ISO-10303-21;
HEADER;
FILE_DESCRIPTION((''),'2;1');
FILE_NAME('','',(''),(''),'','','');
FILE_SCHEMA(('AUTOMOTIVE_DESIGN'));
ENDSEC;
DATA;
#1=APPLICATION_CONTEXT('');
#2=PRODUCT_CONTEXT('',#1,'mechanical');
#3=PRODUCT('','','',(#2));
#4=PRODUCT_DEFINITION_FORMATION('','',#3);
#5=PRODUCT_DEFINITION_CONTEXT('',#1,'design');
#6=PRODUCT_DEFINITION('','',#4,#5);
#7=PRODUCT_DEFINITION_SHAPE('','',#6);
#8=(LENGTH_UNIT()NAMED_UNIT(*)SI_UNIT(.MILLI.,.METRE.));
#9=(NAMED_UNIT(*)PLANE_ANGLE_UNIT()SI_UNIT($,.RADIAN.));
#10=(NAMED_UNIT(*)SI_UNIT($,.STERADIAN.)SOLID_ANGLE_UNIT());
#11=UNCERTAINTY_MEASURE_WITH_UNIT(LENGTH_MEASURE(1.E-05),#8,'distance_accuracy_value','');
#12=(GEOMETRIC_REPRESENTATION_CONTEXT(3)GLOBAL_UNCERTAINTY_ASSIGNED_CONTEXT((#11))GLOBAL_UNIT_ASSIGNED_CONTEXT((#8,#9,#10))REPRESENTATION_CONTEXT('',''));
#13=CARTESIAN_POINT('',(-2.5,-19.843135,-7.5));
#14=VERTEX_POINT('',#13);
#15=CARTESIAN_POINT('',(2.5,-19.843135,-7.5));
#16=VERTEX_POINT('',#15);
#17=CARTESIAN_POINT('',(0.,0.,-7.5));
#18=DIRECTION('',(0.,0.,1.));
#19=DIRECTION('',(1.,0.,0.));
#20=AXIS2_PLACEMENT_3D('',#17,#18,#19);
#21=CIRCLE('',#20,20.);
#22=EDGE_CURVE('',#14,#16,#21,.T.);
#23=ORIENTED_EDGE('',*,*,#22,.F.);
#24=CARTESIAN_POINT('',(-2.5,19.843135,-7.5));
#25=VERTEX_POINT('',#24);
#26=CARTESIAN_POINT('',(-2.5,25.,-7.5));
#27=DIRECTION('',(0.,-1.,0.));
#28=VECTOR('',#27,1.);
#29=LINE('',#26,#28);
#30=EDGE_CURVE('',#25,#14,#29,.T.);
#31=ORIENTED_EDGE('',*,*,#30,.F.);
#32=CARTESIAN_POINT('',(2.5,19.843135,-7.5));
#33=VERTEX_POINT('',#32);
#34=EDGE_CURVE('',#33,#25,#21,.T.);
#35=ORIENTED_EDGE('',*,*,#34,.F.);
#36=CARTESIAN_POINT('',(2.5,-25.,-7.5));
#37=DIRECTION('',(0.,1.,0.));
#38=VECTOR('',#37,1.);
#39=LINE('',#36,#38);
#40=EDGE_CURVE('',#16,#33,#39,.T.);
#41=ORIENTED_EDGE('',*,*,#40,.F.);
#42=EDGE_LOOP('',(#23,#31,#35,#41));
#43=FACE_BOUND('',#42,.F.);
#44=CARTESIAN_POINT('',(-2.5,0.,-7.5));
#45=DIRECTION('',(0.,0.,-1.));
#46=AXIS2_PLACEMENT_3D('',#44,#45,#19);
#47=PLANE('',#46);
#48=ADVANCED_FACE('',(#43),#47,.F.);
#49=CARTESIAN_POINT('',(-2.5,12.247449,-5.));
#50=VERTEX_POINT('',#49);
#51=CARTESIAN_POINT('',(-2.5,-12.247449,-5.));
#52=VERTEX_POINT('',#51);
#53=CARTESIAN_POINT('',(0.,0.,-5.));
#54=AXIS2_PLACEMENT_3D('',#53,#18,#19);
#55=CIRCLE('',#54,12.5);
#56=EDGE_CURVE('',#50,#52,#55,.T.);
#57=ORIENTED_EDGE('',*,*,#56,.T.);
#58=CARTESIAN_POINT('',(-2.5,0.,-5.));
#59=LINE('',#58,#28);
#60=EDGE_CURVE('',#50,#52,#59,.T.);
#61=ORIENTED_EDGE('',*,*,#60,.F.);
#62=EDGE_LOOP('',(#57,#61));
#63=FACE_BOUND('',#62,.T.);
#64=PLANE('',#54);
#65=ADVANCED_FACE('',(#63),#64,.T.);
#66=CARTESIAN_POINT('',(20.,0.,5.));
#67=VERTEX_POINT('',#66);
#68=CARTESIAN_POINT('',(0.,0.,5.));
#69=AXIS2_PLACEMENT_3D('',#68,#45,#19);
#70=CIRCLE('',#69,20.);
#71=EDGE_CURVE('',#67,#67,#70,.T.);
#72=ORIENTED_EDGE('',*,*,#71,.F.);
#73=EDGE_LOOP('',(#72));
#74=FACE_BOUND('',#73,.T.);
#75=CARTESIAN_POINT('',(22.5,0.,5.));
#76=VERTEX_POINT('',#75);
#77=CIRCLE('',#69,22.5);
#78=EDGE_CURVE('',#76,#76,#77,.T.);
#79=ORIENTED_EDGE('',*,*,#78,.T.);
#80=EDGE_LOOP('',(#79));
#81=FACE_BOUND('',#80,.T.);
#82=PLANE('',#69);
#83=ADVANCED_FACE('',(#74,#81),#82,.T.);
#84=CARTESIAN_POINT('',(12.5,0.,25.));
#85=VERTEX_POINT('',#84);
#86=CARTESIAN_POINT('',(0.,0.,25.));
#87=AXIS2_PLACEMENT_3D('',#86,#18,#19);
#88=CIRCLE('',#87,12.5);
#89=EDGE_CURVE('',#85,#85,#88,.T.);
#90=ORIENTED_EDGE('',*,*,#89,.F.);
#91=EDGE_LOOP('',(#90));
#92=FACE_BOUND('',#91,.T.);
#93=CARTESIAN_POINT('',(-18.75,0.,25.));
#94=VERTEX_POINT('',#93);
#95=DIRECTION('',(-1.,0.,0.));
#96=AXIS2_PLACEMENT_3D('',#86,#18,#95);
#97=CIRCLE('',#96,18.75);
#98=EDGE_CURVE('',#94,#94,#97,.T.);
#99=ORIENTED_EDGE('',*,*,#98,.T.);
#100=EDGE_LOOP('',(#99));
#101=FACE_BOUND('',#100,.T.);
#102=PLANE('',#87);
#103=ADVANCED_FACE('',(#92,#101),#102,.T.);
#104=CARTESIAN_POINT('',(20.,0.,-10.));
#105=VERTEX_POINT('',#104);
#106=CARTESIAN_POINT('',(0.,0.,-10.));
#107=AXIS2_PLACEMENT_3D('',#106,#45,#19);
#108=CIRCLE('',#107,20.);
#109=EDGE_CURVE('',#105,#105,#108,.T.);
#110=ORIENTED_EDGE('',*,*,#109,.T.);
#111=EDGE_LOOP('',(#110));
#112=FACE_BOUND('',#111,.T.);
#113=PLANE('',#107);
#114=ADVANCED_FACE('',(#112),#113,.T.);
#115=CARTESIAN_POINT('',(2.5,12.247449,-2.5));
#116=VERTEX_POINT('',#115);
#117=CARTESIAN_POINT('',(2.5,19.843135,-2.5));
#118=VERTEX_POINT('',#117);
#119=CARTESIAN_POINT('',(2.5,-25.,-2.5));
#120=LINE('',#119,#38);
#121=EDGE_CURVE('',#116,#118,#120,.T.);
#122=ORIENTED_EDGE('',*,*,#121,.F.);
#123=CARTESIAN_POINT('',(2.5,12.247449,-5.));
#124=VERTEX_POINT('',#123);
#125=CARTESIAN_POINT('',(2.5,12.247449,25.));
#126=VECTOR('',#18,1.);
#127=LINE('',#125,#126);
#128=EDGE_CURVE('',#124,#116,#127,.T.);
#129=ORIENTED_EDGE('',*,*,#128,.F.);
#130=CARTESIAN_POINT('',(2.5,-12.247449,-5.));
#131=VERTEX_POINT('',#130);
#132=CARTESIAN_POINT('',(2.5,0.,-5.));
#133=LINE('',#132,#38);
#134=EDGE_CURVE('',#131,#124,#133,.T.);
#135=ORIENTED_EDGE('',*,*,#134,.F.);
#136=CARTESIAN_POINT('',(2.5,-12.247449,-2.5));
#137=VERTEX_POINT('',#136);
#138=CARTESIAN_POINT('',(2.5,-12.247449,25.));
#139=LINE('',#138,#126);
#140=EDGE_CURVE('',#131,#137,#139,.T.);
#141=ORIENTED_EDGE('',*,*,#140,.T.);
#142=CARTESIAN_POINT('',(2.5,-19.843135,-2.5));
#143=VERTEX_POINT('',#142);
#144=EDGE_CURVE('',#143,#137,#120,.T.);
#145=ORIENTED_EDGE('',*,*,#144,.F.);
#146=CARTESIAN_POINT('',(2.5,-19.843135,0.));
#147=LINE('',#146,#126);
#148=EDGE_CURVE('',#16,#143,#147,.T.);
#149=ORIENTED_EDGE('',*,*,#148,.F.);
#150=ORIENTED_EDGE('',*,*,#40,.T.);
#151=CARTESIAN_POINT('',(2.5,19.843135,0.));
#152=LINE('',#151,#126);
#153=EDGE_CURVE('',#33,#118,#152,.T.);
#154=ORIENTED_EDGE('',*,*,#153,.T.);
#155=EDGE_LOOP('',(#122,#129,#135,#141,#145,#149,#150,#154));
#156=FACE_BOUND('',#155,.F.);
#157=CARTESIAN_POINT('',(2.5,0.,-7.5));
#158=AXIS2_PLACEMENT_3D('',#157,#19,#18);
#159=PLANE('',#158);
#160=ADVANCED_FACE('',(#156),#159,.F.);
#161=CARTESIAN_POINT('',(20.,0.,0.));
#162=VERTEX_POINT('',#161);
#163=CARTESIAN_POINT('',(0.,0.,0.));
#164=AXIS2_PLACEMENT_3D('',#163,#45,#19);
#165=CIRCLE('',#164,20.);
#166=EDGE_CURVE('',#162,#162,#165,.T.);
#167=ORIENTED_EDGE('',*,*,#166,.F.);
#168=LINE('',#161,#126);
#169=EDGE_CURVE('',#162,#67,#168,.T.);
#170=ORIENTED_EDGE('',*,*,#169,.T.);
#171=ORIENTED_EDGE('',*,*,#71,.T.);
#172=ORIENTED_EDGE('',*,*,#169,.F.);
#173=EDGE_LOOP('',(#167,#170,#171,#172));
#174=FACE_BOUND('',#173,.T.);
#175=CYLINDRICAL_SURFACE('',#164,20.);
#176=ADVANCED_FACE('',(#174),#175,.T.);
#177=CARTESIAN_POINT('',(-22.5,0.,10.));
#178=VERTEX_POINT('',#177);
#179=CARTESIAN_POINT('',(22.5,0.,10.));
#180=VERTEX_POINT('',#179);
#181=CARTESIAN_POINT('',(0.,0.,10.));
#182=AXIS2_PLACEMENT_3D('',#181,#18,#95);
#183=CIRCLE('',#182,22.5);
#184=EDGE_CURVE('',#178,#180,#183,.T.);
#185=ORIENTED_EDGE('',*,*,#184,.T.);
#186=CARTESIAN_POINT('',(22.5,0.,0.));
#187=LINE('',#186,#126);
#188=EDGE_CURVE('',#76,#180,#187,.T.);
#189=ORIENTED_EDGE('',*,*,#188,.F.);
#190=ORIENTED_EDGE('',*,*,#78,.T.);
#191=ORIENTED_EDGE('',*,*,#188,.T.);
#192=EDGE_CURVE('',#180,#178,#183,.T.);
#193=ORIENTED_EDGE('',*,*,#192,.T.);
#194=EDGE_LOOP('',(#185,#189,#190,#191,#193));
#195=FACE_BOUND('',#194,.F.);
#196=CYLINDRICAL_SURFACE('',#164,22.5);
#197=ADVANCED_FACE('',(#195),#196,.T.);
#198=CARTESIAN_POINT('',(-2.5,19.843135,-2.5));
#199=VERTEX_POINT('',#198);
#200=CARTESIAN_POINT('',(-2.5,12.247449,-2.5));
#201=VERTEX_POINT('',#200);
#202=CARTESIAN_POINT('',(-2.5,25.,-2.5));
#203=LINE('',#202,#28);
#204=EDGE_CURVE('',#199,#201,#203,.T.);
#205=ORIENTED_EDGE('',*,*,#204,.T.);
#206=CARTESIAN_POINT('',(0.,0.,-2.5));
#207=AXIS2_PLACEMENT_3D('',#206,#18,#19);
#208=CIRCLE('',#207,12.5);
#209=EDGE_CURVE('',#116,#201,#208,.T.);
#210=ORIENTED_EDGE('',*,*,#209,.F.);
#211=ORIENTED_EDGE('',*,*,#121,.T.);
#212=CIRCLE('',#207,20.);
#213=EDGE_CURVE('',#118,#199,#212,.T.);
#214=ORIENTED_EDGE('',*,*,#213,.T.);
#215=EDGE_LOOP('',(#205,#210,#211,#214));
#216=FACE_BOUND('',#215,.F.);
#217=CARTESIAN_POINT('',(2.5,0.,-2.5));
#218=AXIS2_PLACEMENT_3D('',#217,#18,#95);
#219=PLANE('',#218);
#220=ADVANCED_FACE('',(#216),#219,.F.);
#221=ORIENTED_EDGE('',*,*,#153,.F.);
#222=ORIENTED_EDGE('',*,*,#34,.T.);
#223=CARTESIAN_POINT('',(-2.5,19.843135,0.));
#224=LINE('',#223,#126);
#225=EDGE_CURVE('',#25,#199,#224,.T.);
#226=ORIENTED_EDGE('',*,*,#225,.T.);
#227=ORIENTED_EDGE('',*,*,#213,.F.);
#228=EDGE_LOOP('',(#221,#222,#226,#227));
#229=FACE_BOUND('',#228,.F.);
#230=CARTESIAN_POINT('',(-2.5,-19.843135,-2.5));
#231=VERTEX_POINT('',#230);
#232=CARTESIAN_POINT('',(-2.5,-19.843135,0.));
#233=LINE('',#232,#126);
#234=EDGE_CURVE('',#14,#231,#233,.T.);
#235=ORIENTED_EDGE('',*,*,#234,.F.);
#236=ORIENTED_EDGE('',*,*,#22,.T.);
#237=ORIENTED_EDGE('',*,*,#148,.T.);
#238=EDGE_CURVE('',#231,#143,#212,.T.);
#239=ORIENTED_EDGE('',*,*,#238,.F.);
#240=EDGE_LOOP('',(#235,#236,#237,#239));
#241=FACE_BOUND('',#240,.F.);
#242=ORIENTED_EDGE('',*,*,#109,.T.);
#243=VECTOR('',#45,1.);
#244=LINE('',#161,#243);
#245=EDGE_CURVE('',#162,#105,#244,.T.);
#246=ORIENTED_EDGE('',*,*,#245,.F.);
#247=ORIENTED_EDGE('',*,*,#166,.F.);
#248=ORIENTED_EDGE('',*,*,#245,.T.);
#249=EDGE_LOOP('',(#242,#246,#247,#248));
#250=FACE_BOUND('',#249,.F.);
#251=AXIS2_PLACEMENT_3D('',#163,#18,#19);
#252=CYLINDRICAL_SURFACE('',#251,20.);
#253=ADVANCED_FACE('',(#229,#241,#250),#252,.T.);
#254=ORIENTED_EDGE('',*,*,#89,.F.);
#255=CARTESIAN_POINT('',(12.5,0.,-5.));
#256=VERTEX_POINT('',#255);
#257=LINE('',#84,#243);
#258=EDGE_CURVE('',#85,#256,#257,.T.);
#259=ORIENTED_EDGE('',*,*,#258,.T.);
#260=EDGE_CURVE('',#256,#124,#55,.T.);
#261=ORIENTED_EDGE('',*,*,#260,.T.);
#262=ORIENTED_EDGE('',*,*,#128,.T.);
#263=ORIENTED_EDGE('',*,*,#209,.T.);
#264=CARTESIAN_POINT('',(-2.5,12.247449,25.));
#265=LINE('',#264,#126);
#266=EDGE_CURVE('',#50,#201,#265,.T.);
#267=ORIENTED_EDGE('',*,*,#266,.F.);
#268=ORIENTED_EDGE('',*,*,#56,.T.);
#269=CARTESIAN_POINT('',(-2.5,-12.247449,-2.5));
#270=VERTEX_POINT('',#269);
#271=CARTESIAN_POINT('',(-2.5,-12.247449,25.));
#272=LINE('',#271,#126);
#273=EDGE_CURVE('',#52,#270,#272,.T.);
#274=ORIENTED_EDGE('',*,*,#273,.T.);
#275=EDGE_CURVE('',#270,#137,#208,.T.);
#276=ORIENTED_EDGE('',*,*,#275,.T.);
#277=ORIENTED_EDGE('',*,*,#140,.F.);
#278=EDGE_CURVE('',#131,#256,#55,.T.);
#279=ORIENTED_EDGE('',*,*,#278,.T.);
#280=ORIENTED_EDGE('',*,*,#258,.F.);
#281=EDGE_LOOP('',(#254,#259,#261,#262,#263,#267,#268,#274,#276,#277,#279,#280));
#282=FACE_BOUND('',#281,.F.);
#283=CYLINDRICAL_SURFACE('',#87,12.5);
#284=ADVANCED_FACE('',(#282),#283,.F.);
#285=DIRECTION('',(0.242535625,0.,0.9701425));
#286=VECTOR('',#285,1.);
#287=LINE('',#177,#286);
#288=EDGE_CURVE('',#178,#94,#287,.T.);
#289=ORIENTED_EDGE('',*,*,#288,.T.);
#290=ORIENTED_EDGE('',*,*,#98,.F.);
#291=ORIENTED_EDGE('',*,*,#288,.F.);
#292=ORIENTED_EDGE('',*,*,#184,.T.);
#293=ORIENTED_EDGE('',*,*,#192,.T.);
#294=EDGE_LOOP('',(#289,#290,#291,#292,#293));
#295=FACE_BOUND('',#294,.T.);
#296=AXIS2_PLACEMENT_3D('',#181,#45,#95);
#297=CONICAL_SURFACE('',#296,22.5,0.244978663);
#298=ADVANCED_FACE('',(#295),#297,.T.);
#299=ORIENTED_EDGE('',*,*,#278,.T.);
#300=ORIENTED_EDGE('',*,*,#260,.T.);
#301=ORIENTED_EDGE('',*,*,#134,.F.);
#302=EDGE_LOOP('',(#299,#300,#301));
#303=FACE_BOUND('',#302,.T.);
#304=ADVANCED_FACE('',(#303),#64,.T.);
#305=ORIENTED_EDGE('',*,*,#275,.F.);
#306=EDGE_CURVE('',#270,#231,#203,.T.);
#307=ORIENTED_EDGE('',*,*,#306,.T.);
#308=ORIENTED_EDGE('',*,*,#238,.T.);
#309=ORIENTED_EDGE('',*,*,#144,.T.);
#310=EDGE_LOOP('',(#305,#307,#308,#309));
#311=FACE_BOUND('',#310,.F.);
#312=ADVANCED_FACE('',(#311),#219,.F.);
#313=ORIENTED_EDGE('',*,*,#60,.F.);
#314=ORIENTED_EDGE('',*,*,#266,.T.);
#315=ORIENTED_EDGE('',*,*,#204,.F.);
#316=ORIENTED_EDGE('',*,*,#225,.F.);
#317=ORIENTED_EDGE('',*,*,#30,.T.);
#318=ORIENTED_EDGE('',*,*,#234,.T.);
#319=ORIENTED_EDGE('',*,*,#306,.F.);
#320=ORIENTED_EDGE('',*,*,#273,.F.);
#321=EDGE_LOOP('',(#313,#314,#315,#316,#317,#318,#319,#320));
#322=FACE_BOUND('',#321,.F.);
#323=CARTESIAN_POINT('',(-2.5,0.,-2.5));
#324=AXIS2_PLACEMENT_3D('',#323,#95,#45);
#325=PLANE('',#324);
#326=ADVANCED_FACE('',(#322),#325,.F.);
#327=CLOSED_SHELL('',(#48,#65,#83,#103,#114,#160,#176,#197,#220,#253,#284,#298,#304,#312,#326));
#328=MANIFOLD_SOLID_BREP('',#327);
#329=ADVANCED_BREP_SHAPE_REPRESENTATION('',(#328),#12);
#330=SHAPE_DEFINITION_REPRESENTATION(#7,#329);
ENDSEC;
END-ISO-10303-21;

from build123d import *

# Parameters (mm, degrees)
F0_R      = 22.5
F1_DEPTH  = 25
F2_R      = 22.5
F2_R_2    = 20
F3_DEPTH  = 5
F1_FACE_R = 20
F7_DEPTH  = 10
F6_R      = 12.5
F8_DEPTH  = 30
F10_DEPTH = 25


with BuildPart() as f1:
    # F0 (on Top) → F1 (new body)
    with BuildSketch(Plane.XY):
        Circle(F0_R)
    extrude(amount=F1_DEPTH)

    # F2 (on face) → F3 (cut)
    with BuildSketch(Plane(origin=(0, 0, 0), x_dir=(1, 0, 0), z_dir=(0, 0, -1))):
        Circle(F2_R)
        Circle(F2_R_2, mode=Mode.SUBTRACT)
    extrude(amount=-F3_DEPTH, mode=Mode.SUBTRACT)

    # F4 (on Front) → F5 (revolve, cut)
    with BuildSketch(Plane.XZ):
        Polygon((-22.5, 30), (-22.5, 10), (-17.5, 30), align=None)
    revolve(axis=Axis((0, 0, 15), (0, 0, 1)), mode=Mode.SUBTRACT)

    # F1_face (on face) → F7 (join)
    with BuildSketch(Plane(origin=(0, 0, 0), x_dir=(1, 0, 0), z_dir=(0, 0, -1))):
        Circle(F1_FACE_R)
    extrude(amount=F7_DEPTH)

    # F6 (on face) → F8 (cut)
    with BuildSketch(Plane.XY.offset(25)):
        Circle(F6_R)
    extrude(amount=-F8_DEPTH, mode=Mode.SUBTRACT)

    # F9 (on Front) → F10 (cut, symmetric)
    with BuildSketch(Plane.XZ):
        Polygon((2.5, -2.5), (0, -2.5), (0, -5), (0, -7.5), (2.5, -7.5), align=None)
        Polygon((0, -5), (0, -2.5), (-2.5, -2.5), (-2.5, -7.5), (0, -7.5), align=None)
    extrude(amount=F10_DEPTH, both=True, mode=Mode.SUBTRACT)


solid = f1.part
